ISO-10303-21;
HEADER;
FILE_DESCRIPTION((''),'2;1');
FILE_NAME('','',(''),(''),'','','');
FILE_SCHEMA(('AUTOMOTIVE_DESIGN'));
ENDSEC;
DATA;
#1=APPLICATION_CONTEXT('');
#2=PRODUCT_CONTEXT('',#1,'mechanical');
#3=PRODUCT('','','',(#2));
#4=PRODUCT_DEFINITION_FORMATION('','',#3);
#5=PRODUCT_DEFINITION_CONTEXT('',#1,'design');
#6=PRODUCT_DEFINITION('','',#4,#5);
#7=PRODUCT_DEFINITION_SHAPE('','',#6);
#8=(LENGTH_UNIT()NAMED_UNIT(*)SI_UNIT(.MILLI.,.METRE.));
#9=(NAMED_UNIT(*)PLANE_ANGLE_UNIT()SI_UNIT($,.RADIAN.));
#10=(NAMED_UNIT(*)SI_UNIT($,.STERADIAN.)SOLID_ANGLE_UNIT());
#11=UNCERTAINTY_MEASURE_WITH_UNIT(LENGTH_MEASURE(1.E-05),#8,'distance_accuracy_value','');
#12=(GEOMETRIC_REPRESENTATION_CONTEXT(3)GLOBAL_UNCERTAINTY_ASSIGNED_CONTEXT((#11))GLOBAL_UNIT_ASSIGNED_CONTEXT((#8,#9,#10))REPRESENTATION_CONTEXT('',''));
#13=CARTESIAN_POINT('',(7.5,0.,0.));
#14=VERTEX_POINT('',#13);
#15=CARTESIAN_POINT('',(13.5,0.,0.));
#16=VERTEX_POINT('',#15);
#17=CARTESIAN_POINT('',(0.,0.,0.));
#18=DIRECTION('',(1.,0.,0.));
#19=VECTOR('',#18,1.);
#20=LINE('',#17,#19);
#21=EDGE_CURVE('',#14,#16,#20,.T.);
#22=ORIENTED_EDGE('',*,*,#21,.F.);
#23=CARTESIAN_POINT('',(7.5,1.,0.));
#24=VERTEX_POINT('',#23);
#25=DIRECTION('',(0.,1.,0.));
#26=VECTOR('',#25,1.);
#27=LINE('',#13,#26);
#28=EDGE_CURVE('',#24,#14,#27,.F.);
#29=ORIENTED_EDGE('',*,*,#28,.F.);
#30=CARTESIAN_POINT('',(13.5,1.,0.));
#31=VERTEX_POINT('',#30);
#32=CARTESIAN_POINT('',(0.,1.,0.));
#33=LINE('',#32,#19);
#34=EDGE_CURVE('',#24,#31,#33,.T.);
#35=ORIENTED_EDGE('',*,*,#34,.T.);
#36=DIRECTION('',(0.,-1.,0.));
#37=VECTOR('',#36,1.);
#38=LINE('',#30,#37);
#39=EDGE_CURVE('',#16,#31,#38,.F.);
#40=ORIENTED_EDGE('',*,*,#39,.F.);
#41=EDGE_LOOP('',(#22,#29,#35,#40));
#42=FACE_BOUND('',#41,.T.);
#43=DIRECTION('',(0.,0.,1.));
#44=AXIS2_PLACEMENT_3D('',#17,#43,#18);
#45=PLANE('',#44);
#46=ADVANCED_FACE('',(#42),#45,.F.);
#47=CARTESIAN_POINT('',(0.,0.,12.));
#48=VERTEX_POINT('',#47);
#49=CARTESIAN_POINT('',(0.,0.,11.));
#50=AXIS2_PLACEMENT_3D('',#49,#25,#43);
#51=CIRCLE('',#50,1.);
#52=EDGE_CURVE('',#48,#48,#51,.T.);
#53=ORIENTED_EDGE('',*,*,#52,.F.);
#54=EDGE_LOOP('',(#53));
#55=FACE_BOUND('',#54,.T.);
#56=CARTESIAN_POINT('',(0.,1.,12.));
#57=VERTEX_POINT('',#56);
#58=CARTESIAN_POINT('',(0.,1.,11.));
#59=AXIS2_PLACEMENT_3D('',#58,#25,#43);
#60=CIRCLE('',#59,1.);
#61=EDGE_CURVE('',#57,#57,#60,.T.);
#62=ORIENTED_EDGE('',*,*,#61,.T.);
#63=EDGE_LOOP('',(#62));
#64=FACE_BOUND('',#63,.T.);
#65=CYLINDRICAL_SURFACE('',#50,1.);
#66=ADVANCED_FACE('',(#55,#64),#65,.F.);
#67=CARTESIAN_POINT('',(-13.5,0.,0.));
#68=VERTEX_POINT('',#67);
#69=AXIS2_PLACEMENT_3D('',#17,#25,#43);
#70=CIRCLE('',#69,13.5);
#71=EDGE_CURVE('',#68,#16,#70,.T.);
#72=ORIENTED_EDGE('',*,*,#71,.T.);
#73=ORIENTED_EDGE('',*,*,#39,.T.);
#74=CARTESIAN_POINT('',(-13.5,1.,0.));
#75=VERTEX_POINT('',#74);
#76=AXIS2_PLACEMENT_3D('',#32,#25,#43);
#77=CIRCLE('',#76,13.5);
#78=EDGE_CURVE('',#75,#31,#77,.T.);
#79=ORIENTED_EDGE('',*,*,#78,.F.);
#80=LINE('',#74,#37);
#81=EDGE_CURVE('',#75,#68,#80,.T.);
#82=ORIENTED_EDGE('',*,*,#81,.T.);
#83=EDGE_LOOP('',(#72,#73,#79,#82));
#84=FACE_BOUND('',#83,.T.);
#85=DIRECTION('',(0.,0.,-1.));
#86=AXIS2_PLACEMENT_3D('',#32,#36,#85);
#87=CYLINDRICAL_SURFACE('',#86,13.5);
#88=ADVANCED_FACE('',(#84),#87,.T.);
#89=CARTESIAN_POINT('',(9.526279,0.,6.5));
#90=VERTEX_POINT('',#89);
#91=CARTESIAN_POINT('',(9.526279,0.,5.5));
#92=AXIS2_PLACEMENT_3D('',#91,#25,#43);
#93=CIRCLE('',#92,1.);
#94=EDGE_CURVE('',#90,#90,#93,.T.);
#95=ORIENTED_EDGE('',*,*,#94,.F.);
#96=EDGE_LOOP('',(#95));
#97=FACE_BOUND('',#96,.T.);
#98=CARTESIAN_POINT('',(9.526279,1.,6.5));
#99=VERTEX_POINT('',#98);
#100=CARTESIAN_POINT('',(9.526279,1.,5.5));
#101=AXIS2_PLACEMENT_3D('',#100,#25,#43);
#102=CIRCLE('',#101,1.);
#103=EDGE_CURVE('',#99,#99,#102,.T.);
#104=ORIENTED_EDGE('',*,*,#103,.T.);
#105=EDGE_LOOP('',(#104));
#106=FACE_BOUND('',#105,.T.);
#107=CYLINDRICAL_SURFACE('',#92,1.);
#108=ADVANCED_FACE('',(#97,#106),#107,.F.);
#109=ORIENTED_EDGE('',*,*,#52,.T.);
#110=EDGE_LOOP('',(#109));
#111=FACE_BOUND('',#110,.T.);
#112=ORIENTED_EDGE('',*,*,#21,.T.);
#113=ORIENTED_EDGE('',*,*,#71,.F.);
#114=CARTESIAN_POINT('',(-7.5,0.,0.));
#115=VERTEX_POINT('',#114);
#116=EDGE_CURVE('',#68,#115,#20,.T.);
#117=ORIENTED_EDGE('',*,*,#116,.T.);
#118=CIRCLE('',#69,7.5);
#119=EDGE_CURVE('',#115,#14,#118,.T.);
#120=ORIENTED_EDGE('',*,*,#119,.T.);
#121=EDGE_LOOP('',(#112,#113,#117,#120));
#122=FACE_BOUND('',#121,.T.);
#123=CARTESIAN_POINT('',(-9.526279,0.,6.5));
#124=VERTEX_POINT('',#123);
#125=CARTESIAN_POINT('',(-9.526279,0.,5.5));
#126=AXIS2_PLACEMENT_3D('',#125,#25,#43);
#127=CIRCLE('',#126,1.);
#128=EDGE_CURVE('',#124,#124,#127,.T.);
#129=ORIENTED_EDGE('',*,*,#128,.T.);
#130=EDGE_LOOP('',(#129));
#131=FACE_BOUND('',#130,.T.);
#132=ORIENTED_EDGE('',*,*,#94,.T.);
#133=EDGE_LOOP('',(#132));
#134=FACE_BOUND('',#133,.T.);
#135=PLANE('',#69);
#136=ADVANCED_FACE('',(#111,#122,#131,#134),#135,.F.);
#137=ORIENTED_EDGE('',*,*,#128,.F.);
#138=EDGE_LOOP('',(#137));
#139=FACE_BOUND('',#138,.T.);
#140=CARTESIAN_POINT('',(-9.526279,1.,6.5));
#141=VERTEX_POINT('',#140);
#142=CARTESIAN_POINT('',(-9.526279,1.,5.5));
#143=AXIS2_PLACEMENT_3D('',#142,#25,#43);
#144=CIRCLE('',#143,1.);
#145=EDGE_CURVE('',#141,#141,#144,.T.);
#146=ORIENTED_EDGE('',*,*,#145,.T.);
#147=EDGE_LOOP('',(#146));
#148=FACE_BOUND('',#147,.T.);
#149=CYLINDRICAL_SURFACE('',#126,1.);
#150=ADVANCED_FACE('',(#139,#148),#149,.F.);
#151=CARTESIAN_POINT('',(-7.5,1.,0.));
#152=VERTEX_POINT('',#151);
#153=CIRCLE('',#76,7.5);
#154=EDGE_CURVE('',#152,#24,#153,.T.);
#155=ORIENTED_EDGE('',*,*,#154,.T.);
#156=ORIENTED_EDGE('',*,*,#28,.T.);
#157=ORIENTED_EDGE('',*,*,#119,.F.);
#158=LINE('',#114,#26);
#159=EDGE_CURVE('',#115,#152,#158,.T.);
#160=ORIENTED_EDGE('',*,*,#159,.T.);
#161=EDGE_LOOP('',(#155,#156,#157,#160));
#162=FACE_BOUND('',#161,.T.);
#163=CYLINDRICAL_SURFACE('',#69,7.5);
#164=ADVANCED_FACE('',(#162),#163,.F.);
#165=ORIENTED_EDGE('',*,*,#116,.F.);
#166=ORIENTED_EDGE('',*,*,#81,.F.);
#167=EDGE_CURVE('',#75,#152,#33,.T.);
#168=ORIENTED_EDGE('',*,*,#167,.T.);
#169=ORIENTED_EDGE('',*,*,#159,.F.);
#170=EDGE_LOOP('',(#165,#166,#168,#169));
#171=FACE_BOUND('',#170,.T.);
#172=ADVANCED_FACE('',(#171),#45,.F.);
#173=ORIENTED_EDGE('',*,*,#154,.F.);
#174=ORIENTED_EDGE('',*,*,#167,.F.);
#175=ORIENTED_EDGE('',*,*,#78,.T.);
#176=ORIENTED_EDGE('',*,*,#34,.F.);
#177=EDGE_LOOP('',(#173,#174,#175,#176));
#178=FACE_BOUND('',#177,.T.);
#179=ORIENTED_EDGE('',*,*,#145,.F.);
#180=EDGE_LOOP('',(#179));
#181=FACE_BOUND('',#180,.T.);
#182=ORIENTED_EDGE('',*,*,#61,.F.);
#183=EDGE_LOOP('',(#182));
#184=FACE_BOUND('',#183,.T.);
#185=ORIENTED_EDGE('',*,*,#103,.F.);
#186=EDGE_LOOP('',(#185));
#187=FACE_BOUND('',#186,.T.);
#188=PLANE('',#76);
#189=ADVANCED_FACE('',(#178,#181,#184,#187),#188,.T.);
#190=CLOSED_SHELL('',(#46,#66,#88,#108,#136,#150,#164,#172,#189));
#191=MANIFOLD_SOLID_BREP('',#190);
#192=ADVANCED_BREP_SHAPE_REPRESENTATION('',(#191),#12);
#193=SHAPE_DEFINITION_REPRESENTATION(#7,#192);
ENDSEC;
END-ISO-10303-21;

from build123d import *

# Parameters (mm, degrees)
SKETCH1_R               = 13.5
BOSS_EXTRUDE1_DEPTH     = 1
CUT_EXTRUDE1_DEPTH      = 20.118054294
CUT_EXTRUDE1_DEPTH_BACK = 20.118054294
SKETCH19_R              = 1
CUT_EXTRUDE2_DEPTH      = 20.118054294
CUT_EXTRUDE2_DEPTH_BACK = 20.118054294
SKETCH20_R              = 7.5
SKETCH21_W              = 65.874202484
SKETCH21_H              = 51.979273979
CUT_EXTRUDE3_DEPTH      = 20.118054294


with BuildPart() as part:
    # Sketch1 → Boss-Extrude1 (new body)
    with BuildSketch(Plane(origin=(0, 0, 0), x_dir=(1, 0, 0), z_dir=(0, 1, 0))):
        with Locations(Location((0, 0, 0), (0, 0, 270))):
            Circle(SKETCH1_R)
    extrude(amount=BOSS_EXTRUDE1_DEPTH)

    # Sketch19 → Cut-Extrude1 (cut, two sides: drawn at the far end of the back side and taken through both)
    with BuildSketch(Plane(origin=(0, 1, 0), x_dir=(1, 0, 0), z_dir=(0, 1, 0)).offset(-CUT_EXTRUDE1_DEPTH_BACK)):
        with Locations(Location((0, 11, 0), (0, 0, 270))):
            Circle(SKETCH19_R)
        with Locations(Location((9.526279442, 5.5, 0), (0, 0, 270))):
            Circle(SKETCH19_R)
        with Locations(Location((9.526279442, -5.5, 0), (0, 0, 270))):
            Circle(SKETCH19_R)
        with Locations(Location((0, -11, 0), (0, 0, 270))):
            Circle(SKETCH19_R)
        with Locations(Location((-9.526279442, -5.5, 0), (0, 0, 270))):
            Circle(SKETCH19_R)
        with Locations(Location((-9.526279442, 5.5, 0), (0, 0, 270))):
            Circle(SKETCH19_R)
    extrude(amount=CUT_EXTRUDE1_DEPTH + CUT_EXTRUDE1_DEPTH_BACK, mode=Mode.SUBTRACT)

    # Sketch20 → Cut-Extrude2 (cut, two sides: drawn at the far end of the back side and taken through both)
    with BuildSketch(Plane(origin=(0, 1, 0), x_dir=(1, 0, 0), z_dir=(0, 1, 0)).offset(-CUT_EXTRUDE2_DEPTH_BACK)):
        with Locations(Location((0, 0, 0), (0, 0, 270))):
            Circle(SKETCH20_R)
    extrude(amount=CUT_EXTRUDE2_DEPTH + CUT_EXTRUDE2_DEPTH_BACK, mode=Mode.SUBTRACT)

    # Sketch21 → Cut-Extrude3 (cut, through all)
    with BuildSketch(Plane.XY):
        with Locations((-3.816154381, 6.321647006)):
            Rectangle(SKETCH21_W, SKETCH21_H)
    extrude(amount=-CUT_EXTRUDE3_DEPTH, mode=Mode.SUBTRACT)


solid = part.part
